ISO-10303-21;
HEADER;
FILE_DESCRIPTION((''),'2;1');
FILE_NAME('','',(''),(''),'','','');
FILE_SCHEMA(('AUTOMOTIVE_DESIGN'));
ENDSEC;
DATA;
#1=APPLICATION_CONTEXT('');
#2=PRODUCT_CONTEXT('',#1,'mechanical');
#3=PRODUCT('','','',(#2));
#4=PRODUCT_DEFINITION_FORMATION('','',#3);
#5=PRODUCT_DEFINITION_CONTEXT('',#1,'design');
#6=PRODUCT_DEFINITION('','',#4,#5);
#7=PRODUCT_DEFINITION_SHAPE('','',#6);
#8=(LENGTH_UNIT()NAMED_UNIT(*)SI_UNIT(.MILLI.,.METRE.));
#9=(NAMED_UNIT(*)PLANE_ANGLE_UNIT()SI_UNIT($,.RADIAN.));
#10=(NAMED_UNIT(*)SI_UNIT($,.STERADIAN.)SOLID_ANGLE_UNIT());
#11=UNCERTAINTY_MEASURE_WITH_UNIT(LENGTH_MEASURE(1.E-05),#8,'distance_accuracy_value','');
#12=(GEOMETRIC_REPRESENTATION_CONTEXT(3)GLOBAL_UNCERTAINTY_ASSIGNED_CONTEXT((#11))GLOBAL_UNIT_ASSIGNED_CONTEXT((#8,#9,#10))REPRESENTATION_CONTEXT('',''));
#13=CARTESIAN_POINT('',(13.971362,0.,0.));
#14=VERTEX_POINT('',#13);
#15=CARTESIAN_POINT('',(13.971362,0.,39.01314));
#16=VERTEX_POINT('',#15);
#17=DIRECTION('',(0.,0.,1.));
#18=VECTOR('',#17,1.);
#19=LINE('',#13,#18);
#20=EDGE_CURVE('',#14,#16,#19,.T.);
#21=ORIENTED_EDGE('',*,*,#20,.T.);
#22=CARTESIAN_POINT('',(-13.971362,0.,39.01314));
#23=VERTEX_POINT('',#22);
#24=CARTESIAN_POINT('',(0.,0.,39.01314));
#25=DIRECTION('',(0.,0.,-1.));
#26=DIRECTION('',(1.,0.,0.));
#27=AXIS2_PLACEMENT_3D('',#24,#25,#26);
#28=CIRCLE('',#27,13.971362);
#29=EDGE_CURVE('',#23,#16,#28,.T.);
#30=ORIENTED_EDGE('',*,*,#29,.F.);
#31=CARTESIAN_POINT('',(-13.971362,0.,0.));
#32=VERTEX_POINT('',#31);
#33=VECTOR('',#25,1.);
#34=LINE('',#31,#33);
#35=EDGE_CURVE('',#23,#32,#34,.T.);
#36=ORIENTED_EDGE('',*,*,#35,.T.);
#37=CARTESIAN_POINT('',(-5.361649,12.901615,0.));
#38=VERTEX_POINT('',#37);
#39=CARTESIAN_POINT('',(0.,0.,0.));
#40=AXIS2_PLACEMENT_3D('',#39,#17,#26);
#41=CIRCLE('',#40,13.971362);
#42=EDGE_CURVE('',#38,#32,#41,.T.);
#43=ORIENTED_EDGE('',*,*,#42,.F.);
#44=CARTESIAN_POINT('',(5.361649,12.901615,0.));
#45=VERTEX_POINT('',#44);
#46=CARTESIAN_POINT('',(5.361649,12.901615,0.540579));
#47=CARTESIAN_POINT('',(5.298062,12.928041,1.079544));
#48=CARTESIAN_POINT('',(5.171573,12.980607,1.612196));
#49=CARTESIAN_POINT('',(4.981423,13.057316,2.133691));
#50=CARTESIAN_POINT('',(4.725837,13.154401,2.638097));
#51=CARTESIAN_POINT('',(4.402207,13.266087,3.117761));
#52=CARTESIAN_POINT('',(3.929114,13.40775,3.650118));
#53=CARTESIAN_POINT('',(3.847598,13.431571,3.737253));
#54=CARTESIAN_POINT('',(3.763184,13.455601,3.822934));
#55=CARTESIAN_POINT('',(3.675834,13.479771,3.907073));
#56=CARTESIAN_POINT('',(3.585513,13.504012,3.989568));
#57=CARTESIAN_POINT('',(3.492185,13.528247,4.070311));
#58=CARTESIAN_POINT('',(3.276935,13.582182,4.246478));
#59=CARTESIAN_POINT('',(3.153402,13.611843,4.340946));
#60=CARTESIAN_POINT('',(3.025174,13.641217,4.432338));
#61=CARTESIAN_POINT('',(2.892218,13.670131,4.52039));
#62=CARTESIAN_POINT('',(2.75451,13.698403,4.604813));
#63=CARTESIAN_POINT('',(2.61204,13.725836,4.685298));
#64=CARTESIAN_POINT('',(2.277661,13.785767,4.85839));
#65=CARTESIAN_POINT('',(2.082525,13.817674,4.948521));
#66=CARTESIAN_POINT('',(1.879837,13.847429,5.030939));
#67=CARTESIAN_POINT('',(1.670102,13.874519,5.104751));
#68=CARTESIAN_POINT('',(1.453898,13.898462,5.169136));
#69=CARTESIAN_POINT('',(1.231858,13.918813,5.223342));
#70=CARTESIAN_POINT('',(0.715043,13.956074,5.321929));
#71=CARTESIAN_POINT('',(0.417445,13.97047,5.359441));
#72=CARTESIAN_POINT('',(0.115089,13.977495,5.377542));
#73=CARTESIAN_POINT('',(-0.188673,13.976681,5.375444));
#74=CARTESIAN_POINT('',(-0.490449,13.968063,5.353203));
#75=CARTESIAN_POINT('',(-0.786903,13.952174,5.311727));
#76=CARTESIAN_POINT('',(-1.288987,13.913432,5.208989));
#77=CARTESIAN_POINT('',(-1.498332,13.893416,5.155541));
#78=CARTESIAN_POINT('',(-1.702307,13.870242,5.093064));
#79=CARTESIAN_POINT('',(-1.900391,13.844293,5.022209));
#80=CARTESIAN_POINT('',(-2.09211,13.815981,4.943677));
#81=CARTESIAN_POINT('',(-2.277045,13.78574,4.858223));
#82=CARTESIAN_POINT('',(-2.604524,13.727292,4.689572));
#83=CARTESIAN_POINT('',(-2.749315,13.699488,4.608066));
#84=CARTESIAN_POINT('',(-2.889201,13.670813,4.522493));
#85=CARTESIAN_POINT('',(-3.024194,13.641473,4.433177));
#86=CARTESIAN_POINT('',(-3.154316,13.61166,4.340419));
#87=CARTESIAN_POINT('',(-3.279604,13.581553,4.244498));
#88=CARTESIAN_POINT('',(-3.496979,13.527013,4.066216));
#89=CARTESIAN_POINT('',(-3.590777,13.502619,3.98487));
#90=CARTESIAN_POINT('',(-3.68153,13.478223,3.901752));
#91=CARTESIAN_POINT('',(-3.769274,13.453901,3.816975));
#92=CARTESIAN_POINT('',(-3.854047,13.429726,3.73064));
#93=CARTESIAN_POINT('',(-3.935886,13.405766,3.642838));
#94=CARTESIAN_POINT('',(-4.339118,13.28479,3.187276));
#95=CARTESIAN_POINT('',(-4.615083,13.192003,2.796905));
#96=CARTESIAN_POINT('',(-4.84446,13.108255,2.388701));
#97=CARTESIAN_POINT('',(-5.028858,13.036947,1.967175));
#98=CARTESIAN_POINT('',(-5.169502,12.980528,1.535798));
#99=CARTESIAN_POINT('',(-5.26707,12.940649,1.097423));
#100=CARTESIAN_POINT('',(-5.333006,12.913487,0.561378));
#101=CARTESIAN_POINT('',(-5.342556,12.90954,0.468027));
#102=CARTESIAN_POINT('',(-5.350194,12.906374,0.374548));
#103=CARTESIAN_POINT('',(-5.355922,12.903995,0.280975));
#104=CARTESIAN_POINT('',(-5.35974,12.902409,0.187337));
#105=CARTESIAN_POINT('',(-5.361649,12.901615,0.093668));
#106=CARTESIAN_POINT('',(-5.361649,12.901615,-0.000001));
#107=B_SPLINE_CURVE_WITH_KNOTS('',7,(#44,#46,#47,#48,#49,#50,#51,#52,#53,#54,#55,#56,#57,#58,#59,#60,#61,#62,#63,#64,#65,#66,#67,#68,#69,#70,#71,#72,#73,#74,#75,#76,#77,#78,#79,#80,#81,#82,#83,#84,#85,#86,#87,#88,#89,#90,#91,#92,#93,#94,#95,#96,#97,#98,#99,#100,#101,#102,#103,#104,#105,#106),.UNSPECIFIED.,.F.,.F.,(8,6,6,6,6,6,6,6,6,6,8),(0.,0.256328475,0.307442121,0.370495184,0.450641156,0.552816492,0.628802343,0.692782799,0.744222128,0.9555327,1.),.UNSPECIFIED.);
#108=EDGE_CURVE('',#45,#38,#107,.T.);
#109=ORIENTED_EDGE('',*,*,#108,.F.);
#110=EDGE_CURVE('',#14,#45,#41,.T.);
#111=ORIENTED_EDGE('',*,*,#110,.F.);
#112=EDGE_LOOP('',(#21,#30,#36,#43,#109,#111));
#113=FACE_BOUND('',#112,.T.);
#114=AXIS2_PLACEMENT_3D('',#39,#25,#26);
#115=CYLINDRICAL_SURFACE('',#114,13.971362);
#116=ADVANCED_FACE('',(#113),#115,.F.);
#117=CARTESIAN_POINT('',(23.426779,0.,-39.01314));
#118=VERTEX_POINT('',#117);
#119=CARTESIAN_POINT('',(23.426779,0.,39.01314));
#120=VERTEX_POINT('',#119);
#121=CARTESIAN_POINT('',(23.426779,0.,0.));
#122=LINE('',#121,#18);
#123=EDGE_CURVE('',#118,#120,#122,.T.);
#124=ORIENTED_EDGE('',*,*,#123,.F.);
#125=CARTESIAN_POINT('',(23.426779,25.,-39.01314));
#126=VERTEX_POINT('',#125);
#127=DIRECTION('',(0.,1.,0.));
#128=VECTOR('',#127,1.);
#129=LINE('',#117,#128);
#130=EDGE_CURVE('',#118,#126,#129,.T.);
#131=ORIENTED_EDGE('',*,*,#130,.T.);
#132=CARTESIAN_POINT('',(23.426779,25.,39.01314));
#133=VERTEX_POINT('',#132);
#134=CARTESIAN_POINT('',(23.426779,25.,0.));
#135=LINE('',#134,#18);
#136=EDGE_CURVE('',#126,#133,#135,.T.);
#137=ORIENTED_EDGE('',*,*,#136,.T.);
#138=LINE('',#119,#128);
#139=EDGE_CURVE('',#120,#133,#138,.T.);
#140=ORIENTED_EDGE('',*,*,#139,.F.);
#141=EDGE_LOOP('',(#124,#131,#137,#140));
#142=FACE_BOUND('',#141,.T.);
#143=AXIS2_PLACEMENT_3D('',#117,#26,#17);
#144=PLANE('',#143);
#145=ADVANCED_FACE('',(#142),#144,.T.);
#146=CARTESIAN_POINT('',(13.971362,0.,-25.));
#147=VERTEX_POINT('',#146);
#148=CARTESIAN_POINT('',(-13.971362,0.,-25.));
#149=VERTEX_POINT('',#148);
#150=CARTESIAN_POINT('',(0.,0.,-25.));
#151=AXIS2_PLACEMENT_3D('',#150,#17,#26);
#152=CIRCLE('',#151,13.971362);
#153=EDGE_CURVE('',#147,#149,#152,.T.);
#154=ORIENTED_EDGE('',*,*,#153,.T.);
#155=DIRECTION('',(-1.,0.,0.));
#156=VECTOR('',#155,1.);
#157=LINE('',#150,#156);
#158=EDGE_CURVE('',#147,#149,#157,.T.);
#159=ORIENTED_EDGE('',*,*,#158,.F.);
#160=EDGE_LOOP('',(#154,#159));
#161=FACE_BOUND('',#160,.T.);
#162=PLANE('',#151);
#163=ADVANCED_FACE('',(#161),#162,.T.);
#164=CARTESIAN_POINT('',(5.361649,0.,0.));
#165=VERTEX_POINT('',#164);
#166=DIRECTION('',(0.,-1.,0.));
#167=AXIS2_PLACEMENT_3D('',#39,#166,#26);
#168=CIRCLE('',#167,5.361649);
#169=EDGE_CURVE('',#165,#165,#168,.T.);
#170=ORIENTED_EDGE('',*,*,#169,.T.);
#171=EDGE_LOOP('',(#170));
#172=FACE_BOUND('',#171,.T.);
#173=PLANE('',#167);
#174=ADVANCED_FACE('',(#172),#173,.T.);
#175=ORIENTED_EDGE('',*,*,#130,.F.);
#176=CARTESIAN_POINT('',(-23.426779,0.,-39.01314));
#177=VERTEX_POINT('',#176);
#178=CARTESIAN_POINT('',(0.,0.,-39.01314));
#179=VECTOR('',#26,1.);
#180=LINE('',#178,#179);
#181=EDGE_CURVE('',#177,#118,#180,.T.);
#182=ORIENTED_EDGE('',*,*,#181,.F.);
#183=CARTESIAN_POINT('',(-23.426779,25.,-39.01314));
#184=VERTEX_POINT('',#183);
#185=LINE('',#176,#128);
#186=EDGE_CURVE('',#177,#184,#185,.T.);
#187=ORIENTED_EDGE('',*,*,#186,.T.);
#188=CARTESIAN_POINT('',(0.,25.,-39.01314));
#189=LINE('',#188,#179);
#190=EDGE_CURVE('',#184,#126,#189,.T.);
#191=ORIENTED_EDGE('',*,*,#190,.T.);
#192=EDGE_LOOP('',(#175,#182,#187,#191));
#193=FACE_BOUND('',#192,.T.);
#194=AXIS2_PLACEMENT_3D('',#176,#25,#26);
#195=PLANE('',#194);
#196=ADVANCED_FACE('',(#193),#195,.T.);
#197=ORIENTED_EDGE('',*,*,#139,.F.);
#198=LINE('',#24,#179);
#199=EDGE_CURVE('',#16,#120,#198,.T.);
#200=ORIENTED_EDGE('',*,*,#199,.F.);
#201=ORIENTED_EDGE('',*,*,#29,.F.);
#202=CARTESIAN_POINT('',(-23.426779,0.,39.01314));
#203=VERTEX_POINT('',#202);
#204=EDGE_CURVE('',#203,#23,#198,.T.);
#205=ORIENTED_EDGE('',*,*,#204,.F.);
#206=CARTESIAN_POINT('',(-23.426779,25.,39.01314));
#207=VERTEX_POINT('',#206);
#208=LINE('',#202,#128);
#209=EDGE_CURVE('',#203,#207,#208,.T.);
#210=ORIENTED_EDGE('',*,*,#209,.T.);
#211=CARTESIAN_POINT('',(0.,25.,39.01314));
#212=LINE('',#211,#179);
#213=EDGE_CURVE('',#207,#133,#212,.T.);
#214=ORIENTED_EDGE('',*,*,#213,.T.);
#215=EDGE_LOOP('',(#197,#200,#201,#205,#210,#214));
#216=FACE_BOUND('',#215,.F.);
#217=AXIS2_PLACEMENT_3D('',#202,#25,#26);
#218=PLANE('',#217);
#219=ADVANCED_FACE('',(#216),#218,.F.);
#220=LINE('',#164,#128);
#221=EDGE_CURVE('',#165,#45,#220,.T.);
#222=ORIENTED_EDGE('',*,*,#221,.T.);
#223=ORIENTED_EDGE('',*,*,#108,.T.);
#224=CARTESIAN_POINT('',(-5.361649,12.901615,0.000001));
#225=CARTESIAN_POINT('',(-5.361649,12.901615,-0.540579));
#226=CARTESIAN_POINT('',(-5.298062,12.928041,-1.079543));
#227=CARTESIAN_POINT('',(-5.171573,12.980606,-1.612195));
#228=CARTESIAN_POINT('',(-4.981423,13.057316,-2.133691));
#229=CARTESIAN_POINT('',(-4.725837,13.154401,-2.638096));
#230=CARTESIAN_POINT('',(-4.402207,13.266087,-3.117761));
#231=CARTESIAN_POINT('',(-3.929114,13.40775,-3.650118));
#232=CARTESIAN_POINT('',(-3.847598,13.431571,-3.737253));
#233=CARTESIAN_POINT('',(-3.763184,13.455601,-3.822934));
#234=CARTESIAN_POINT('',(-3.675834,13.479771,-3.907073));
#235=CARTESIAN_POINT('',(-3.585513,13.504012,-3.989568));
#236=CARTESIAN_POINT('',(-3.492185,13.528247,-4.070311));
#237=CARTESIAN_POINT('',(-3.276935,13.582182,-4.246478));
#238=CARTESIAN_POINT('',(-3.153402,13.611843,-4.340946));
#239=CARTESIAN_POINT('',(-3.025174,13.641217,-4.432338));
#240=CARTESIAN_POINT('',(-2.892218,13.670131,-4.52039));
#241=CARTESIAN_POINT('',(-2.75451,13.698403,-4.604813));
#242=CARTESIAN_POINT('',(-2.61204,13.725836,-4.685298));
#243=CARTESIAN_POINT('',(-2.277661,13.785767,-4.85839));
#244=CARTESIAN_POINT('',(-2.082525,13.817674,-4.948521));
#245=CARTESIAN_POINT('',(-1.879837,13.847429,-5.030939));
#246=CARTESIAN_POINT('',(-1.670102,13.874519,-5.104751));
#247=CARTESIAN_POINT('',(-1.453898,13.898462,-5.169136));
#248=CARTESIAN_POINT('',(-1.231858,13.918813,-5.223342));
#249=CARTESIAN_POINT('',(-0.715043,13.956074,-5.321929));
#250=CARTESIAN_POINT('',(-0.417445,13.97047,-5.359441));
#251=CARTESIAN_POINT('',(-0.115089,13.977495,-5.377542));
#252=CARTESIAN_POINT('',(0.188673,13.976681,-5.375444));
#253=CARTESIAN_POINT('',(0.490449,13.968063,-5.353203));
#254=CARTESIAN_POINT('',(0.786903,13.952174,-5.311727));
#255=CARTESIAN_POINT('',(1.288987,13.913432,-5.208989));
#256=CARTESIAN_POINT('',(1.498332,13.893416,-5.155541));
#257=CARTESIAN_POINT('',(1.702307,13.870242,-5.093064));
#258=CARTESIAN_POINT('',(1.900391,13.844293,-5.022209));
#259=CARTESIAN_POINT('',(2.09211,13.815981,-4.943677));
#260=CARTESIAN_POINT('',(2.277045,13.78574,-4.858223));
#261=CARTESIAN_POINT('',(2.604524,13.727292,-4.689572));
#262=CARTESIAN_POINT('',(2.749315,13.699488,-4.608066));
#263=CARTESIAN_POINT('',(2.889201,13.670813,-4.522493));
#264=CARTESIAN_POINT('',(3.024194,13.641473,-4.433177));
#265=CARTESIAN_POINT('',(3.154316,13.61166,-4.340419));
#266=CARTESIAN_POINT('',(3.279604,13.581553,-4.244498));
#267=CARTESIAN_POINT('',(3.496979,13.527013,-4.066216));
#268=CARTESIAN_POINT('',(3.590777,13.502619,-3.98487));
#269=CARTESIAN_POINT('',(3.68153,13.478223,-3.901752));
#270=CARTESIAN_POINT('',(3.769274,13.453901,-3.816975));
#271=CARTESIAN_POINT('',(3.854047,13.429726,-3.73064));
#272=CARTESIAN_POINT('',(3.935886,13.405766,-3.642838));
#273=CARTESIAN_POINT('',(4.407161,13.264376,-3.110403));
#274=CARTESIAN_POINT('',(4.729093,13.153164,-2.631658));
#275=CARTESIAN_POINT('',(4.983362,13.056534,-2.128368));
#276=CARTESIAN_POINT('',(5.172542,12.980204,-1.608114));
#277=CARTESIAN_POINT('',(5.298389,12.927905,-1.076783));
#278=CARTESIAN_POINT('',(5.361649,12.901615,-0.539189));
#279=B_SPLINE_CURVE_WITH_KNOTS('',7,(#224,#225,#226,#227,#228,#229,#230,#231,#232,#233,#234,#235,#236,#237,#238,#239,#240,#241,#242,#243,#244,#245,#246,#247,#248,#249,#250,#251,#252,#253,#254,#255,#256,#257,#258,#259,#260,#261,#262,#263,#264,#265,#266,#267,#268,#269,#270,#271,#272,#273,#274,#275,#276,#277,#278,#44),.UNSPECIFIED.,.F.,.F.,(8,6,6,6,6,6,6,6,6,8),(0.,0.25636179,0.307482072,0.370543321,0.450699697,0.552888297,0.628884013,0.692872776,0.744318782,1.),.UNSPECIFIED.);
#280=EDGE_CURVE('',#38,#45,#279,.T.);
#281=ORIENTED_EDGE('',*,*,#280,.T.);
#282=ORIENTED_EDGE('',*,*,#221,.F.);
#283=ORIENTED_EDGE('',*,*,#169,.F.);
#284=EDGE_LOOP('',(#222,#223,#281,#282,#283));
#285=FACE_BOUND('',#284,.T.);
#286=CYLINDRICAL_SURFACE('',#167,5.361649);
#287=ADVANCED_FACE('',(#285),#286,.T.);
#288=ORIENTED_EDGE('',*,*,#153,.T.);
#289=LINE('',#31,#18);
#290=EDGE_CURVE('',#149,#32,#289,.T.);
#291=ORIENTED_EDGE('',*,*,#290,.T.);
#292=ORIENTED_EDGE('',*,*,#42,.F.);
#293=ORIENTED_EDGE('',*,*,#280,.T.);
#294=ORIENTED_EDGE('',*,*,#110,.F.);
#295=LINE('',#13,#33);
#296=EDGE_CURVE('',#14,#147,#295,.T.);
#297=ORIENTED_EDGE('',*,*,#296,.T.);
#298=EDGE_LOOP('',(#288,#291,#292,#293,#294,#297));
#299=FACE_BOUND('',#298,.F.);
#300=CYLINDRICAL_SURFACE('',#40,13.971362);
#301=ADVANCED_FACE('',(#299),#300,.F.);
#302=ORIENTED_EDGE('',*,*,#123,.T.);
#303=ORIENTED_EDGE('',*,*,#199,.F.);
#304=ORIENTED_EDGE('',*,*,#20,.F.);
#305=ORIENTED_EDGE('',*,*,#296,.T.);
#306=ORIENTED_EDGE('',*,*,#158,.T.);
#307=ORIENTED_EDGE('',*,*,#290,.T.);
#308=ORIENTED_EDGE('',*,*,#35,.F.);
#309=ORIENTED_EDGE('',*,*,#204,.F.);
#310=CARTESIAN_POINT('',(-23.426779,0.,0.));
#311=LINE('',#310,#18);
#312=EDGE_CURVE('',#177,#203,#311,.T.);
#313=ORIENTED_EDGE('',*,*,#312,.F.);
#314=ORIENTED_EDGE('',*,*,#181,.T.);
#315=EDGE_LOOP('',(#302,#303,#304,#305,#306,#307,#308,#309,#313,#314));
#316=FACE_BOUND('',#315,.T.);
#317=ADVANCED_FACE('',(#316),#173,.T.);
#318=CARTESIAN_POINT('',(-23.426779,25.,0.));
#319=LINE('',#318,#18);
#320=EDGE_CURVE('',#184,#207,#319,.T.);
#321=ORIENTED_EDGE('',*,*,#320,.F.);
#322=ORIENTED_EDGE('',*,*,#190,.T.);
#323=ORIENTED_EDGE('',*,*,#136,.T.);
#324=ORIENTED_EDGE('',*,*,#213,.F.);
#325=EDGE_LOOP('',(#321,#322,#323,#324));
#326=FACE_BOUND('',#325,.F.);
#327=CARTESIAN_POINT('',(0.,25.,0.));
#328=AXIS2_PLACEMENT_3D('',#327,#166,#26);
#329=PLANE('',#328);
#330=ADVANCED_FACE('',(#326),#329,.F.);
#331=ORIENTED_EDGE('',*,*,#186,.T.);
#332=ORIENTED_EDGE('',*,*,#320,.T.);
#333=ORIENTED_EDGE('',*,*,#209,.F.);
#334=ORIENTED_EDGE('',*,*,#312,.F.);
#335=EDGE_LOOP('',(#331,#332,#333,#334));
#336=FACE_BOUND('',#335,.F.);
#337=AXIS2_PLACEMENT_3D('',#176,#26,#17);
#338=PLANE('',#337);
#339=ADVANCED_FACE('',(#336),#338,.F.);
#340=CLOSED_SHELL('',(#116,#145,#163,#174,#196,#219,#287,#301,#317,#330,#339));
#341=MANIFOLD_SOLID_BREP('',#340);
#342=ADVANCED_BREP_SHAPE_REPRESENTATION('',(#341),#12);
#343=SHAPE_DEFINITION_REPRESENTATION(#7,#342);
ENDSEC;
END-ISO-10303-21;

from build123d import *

# Parameters (mm, degrees)
F0_W          = 46.853558
F0_H          = 78.02628
F1_DEPTH      = 25
F2_R          = 13.971362
F3_DEPTH      = 42.8
F3_DEPTH_BACK = 25
F4_R          = 5.361649
F5_DEPTH      = 22.4


with BuildPart() as f1:
    # F0 (on Front) → F1 (new body)
    with BuildSketch(Plane.XZ):
        Rectangle(F0_W, F0_H)
    extrude(amount=-F1_DEPTH)

    # F2 (on Top) → F3 (cut, two sides)
    with BuildSketch(Plane.XY) as f3_sk:
        Circle(F2_R)
    extrude(amount=F3_DEPTH, mode=Mode.SUBTRACT)
    extrude(f3_sk.sketch, amount=-F3_DEPTH_BACK, mode=Mode.SUBTRACT)

    # F4 (on Front) → F5 (join)
    with BuildSketch(Plane.XZ):
        Circle(F4_R)
    extrude(amount=-F5_DEPTH)


solid = f1.part
